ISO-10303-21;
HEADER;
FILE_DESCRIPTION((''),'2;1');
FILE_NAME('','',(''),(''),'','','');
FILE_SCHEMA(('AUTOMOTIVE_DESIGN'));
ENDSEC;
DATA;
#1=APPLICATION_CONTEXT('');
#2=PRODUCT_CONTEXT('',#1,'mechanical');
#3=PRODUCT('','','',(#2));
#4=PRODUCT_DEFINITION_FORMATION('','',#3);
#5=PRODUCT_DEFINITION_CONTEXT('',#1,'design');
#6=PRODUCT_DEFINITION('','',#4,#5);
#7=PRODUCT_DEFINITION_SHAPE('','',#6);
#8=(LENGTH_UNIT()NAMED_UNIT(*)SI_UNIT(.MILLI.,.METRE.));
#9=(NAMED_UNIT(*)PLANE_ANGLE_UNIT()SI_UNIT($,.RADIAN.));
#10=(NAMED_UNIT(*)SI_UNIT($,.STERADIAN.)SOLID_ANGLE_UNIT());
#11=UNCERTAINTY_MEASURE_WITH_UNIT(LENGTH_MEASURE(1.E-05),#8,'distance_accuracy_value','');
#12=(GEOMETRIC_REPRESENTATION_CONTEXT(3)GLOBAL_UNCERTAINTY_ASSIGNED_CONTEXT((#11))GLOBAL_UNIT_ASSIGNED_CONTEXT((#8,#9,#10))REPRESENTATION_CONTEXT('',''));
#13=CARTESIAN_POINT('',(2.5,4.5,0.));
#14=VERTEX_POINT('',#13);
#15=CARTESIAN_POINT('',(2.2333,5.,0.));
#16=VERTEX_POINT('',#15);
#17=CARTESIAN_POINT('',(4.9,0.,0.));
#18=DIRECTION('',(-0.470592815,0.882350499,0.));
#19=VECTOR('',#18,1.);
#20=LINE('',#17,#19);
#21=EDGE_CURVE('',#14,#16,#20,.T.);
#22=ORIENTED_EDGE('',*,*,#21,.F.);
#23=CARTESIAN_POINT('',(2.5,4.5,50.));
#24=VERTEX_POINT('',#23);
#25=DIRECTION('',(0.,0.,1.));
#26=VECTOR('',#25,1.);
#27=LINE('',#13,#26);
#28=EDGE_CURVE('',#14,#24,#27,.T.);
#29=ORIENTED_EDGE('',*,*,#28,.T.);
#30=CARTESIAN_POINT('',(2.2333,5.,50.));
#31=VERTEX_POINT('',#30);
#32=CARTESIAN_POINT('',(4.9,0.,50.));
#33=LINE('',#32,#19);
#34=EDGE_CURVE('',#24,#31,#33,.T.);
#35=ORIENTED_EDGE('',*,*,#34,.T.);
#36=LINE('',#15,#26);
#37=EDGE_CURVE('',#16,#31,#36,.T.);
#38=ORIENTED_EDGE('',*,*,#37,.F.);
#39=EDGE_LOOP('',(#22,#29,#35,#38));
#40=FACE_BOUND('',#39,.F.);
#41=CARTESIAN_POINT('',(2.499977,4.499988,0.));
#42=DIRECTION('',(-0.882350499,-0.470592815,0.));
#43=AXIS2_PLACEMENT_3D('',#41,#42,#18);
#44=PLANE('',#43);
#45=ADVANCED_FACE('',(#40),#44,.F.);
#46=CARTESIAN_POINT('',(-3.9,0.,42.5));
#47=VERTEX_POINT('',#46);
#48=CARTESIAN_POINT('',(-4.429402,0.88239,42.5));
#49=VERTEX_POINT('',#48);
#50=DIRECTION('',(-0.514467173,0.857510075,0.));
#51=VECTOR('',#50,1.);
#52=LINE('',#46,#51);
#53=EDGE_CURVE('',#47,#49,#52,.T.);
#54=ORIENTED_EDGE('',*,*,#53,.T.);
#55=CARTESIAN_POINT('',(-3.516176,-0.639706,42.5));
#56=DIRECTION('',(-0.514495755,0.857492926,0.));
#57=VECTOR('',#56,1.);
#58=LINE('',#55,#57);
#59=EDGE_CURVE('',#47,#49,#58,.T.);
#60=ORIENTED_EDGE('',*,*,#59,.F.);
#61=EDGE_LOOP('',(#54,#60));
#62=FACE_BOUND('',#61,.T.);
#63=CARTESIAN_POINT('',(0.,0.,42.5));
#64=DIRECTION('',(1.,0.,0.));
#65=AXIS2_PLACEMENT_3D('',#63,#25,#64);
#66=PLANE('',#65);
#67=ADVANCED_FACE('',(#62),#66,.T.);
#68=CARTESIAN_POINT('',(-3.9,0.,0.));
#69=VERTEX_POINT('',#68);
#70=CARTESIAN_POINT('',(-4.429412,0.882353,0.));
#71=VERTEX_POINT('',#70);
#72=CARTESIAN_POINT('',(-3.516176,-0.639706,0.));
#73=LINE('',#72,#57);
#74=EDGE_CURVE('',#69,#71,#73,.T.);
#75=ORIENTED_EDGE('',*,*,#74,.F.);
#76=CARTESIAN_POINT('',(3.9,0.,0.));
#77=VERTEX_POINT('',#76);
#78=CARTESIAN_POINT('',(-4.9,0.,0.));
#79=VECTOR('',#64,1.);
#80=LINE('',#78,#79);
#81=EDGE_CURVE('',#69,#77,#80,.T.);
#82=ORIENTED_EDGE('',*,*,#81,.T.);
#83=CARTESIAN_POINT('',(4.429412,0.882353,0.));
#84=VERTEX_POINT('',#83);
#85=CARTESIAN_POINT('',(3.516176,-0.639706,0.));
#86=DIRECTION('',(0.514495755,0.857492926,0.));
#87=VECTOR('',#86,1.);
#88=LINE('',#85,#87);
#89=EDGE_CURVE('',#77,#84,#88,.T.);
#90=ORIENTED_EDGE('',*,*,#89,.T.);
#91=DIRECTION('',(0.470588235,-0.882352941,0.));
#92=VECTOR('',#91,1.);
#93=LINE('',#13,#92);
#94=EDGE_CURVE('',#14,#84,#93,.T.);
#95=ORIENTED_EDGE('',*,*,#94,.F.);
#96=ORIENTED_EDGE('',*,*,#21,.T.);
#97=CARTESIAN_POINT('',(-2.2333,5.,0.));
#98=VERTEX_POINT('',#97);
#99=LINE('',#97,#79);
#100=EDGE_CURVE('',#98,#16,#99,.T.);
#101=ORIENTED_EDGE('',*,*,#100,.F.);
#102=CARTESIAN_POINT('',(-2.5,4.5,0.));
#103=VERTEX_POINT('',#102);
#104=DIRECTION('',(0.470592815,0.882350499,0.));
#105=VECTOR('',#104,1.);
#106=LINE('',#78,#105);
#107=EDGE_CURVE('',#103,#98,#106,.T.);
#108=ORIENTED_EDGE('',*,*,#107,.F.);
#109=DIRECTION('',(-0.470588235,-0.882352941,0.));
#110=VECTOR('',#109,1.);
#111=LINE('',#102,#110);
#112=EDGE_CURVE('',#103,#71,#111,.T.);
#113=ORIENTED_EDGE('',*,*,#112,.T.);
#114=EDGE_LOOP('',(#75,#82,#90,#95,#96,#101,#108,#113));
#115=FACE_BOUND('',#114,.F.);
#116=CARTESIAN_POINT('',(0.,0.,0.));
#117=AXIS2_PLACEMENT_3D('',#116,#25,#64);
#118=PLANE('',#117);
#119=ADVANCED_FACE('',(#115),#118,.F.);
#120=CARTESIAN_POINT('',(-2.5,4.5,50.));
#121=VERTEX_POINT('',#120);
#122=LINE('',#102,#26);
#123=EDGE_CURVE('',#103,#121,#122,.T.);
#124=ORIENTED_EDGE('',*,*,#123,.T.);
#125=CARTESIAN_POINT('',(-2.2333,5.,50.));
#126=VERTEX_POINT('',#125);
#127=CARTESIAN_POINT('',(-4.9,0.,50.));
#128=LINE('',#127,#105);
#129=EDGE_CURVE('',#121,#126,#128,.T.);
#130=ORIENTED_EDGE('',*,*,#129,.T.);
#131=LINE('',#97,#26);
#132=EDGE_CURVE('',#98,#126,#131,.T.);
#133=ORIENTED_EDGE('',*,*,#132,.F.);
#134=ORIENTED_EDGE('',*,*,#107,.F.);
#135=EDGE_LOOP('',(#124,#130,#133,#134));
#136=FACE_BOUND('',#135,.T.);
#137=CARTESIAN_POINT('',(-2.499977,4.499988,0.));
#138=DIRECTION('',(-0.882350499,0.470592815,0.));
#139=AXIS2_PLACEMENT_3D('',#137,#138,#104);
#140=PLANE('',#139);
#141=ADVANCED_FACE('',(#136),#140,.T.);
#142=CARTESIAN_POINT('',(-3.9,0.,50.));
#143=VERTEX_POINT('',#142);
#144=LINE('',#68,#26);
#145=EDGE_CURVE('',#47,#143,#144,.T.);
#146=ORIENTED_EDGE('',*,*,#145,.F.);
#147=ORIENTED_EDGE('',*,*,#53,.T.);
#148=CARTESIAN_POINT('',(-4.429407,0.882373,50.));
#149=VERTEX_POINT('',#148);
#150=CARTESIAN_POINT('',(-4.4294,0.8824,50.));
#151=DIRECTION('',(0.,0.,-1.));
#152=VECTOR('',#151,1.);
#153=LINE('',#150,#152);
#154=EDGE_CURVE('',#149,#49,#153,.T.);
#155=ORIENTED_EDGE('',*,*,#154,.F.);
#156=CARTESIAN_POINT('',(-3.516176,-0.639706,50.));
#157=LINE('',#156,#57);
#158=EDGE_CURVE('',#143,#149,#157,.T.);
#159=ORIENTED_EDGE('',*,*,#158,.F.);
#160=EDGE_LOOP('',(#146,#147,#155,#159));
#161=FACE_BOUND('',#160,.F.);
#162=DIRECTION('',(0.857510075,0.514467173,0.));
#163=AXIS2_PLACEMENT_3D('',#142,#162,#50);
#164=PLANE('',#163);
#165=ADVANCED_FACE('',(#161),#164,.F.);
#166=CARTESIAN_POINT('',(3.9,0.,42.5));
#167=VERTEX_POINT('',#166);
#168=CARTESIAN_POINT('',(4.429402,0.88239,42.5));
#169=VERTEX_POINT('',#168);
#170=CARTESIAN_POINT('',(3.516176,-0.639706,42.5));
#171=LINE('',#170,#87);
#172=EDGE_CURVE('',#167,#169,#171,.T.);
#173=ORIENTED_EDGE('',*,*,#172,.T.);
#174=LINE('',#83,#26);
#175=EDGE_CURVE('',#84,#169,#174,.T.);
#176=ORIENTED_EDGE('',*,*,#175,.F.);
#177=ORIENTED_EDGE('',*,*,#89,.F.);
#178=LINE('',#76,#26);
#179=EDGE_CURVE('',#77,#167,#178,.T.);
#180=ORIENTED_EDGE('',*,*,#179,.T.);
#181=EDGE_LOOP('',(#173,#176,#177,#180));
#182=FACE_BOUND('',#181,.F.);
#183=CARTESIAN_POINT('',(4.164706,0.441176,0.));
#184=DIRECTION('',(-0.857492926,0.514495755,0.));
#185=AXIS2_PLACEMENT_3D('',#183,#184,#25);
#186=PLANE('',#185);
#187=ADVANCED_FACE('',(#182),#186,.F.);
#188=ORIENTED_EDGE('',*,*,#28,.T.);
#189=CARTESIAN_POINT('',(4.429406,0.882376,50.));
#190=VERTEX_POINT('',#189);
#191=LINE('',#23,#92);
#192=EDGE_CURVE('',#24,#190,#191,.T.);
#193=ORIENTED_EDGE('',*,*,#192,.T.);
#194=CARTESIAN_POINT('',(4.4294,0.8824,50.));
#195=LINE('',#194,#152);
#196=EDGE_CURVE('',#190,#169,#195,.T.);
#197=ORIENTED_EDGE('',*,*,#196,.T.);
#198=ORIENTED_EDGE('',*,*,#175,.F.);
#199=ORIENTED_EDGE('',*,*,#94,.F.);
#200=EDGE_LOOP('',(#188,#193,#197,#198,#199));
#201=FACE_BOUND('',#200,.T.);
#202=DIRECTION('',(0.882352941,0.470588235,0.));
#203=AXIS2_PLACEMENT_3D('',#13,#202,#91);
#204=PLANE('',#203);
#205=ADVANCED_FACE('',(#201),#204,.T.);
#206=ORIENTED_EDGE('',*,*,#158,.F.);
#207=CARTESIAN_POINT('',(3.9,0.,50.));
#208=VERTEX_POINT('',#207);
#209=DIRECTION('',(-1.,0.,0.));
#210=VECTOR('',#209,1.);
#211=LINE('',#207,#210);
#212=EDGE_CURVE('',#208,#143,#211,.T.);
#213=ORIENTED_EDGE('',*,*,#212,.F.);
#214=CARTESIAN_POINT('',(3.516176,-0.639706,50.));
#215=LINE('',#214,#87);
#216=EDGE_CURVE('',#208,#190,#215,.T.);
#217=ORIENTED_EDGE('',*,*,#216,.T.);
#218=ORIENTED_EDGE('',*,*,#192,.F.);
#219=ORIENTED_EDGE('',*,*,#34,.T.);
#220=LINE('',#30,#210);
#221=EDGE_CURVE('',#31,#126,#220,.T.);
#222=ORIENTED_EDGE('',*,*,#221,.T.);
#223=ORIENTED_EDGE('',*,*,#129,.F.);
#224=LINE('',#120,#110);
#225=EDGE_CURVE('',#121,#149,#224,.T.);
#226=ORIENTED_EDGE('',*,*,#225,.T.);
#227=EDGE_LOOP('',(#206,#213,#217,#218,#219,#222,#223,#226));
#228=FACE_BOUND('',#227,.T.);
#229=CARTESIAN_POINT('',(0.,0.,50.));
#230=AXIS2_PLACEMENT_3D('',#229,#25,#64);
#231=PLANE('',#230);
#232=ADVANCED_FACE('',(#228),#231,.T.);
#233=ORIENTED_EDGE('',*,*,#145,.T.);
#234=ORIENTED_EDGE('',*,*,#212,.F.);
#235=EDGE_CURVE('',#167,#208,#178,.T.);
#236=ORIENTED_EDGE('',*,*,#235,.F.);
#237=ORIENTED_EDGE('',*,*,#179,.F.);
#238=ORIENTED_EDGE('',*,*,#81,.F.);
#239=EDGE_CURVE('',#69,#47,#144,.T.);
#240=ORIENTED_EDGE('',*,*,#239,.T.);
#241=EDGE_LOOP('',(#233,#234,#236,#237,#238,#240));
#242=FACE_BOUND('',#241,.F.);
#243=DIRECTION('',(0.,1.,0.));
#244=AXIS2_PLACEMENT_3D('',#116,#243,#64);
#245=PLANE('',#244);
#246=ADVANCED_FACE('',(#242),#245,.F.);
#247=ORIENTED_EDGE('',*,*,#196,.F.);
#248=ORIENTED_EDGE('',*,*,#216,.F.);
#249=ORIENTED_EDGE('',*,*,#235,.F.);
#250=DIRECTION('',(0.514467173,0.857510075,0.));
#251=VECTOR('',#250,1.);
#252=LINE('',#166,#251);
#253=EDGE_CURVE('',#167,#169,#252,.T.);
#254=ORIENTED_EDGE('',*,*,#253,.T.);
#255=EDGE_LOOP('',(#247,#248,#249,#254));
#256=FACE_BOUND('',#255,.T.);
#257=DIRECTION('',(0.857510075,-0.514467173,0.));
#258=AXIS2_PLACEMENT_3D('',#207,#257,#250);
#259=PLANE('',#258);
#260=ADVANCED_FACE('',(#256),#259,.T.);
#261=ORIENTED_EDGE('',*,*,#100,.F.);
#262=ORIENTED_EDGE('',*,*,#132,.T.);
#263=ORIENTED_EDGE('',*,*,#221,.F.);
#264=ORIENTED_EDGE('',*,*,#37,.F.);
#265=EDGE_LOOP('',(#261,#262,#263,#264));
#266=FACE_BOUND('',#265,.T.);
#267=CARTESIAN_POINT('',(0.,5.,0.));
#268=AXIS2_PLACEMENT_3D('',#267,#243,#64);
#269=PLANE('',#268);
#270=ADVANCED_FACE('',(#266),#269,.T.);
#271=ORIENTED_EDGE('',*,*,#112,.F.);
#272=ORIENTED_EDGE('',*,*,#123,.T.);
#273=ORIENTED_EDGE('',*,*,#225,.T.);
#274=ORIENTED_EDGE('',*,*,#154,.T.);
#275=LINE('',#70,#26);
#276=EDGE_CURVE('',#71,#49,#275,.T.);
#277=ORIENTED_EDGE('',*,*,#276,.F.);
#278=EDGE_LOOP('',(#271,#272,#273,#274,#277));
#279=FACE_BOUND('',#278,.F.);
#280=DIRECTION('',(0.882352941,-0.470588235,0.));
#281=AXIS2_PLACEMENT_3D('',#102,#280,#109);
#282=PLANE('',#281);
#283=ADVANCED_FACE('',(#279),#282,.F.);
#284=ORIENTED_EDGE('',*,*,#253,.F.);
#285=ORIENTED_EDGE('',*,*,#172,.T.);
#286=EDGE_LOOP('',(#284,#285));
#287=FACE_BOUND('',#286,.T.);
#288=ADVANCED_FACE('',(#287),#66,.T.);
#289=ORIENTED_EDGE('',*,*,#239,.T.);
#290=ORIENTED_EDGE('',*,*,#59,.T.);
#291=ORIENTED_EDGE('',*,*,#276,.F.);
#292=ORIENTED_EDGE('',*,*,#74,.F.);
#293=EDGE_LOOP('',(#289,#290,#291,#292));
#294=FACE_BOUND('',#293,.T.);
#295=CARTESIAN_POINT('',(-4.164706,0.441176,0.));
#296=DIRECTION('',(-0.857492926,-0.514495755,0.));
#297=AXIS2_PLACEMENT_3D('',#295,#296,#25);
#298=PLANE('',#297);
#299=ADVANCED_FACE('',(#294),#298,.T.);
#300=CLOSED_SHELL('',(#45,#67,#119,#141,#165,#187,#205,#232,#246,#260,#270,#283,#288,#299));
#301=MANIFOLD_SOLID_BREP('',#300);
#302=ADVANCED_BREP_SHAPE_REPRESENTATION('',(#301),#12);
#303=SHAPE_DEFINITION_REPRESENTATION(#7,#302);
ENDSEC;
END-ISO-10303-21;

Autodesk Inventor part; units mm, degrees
ref_plane "YZ Plane" through (0, 0, 0) normal (1, 0, 0) x (0, 1, 0)
ref_plane "XZ Plane" through (0, 0, 0) normal (0, 1, 0) x (-1, 0, 0)
ref_plane "XY Plane" through (0, 0, 0) normal (0, 0, 1) x (1, 0, 0)
sketch "Sketch1" plane through (0, 0, 0) normal (0, 0, 1) x (1, 0, 0)
  line L0 (0, 0) -> (-4.9, 0)
  line L1 (-4.9, 0) -> (4.9, 0)
  line L2 (0, 0) -> (0, 5)
  line L3 (0, 5) -> (-2.5, 5)
  line L4 (-2.5, 5) -> (-4.9, 0)
  line L5 (0, 5) -> (2.5, 5)
  line L6 (2.5, 5) -> (4.9, 0)
  line L7 (0, 0) -> (0, 4)
  line L8 (0, 4) -> (-2.5, 4)
  line L9 (-2.5, 4) -> (-4.9, 0)
  line L10 (0, 4) -> (2.5, 4)
  line L11 (2.5, 4) -> (4.9, 0)
  line L12 (0, 4) -> (0, 5)
  line L13 (0, 4.5) -> (-2.5, 4.5)
  line L14 (-2.5, 4.5) -> (-4.9, 0)
  line L15 (0, 4.5) -> (2.5, 4.5)
  line L16 (2.5, 4.5) -> (4.9, 0)
  line L17 (-4.9, 0) -> (-2.2333, 5)
  line L18 (4.9, 0) -> (2.2333, 5)
  dimension "d0" = 4.9
  dimension "d1" = 9.8
  dimension "d5" = 5
  dimension "d6" = 2.5
  dimension "d7" = 2.5
  dimension "d33" = 4
extrude "Extrusion1" add sketch "Sketch1" along normal blind 50 contours L2 L10 L11 L1 | L0 L9 L8 L2 | L14 L13 L2 L8 L9 | L11 L10 L2 L15 L16 | L17 L3 L2 L13 | L15 L2 L5 L18
sketch "Sketch2" plane through (0, 0, 50) normal (0, 0, 1) x (1, 0, 0)
  line L0 (0, 5) -> (0, -65)
  circle A0 centre (0, -30) radius 35
  line L1 (-4.9, 0) -> (4.9, 0) projected
  line L2 (4.9, 0) -> (18.0278, 0)
  arc A1 (18.0278, 0) -> (2.5, 5) centre (2.5, -21.6111) ccw
  line L3 (4.9, 0) -> (0, 0)
  line L4 (2.5, 5) -> (0, 5)
  line L5 (-4.9, 0) -> (-18.0278, 0)
  arc A2 (-2.5, 5) -> (-18.0278, 0) centre (-2.5, -21.6111) ccw
  circle A3 centre (0, -30) radius 37.5
  line L6 (2.5, 6.0566) -> (32.476, -11.25)
  line L7 (32.476, -11.25) -> (32.476, -48.75)
  line L8 (32.476, -48.75) -> (0, -67.5)
  line L9 (0, -67.5) -> (-32.476, -48.75)
  line L10 (-32.476, -48.75) -> (-32.476, -11.25)
  line L11 (-32.476, -11.25) -> (-2.5, 6.0566)
  arc A4 (2.5, 6.0566) -> (-2.5, 6.0566) centre (0, 1.7265) ccw
  line L12 (-4.9, 0) -> (-12.9904, 0)
  line L13 (4.9, 0) -> (12.9904, 0)
  line L14 (4.9, 0) -> (-4.9, 0)
  circle A5 centre (0, -30) radius 30
  line L15 (-17.488, -2.5967) -> (0, -30)
  line L16 (0, -30) -> (17.488, -2.5967)
  circle A6 centre (0, -30) radius 32.508
  line L17 (0, -30) -> (-32.476, -11.25)
  line L18 (0, -30) -> (32.476, -11.25)
  arc A7 (-29.976, -9.8066) -> (-32.476, -14.1368) centre (-27.476, -14.1368) ccw
  arc A8 (-32.476, -45.8632) -> (-29.976, -50.1934) centre (-27.476, -45.8632) ccw
  arc A9 (-2.5, -66.0566) -> (2.5, -66.0566) centre (0, -61.7265) ccw
  arc A10 (29.976, -50.1934) -> (32.476, -45.8632) centre (27.476, -45.8632) ccw
  arc A11 (32.476, -14.1368) -> (29.976, -9.8066) centre (27.476, -14.1368) ccw
  line L19 (0, -30) -> (29.976, -9.8066)
  line L20 (2.5, 4.5) -> (-2.5, 4.5) projected
  line L21 (-2.5, 4.5) -> (-4.9, 0)
  line L22 (-2.5, 4.5) -> (-4.9, 0) projected
  line L23 (-4.9, 0) -> (-1.4228, 6.5198)
  point P0 (0, 0)
  point P1 (0, 0)
  point P2 (0, 7.5)
  point P3 (16.1388, -4.7109)
  point P4 (-16.1388, -4.7109)
  point P5 (-1.8396, 6.3758)
  point P6 (25.9808, -15)
  point P7 (-32.4222, -13.4053)
  point P8 (-30.5825, -49.7811)
  point P9 (1.8396, -66.3758)
  point P10 (32.4222, -46.5947)
  point P11 (30.5825, -10.2189)
  point P12 (24.881, -13.2389)
  point P13 (29.976, -9.8066)
  point P14 (-0.9147, 6.6421)
  point P15 (0, 4.5)
  dimension "d13" = 75
  dimension "d14" = 5
  dimension "d28" = 360
extrude "Extrusion2" [suppressed]
fillet "Fillet1" [suppressed]
chamfer "Chamfer4" distance 1 angle 45 2 edges at (4.9, 0, 25) (-4.9, 0, 25)
sketch "Sketch4" plane through (0, 0, 50) normal (0, 0, 1) x (1, 0, 0)
  line L0 (-14.1632, 12.0021) -> (30.9274, 12.0021)
  line L1 (30.9274, 12.0021) -> (30.9274, -18.7889)
  line L2 (30.9274, -18.7889) -> (-14.1632, -18.7889)
  line L3 (-14.1632, -18.7889) -> (-14.1632, 12.0021)
  line L4 (-3.9, 0) -> (-4.4294, 0.8824) projected
  line L5 (-3.9, 0) -> (-4.4294, 0.8824)
  line L6 (-2.5, 4.5) -> (-4.4294, 0.8824) projected
  line L7 (-4.4294, 0.8824) -> (-2.5, 4.5)
  line L8 (2.5, 4.5) -> (-2.5, 4.5) projected
  line L9 (-2.5, 4.5) -> (2.5, 4.5)
  line L10 (-3.9, 0) -> (0, 0) projected
  line L11 (3.9, 0) -> (-3.9, 0)
  line L12 (3.9, 0) -> (4.4294, 0.8824) projected
  line L13 (3.9, 0) -> (4.4294, 0.8824)
  line L14 (4.4294, 0.8824) -> (2.5, 4.5) projected
  line L15 (4.4294, 0.8824) -> (2.5, 4.5)
  line L16 (2.2333, 5) -> (4.4294, 0.8824) projected
  line L17 (-2.2333, 5) -> (2.2333, 5) projected
  line L18 (-1.4228, 6.5198) -> (-4.4294, 0.8824) projected
extrude "Extrusion3" cut sketch "Sketch4" against normal blind 7.5
properties part number "dishHolderArm_3DPrint"
